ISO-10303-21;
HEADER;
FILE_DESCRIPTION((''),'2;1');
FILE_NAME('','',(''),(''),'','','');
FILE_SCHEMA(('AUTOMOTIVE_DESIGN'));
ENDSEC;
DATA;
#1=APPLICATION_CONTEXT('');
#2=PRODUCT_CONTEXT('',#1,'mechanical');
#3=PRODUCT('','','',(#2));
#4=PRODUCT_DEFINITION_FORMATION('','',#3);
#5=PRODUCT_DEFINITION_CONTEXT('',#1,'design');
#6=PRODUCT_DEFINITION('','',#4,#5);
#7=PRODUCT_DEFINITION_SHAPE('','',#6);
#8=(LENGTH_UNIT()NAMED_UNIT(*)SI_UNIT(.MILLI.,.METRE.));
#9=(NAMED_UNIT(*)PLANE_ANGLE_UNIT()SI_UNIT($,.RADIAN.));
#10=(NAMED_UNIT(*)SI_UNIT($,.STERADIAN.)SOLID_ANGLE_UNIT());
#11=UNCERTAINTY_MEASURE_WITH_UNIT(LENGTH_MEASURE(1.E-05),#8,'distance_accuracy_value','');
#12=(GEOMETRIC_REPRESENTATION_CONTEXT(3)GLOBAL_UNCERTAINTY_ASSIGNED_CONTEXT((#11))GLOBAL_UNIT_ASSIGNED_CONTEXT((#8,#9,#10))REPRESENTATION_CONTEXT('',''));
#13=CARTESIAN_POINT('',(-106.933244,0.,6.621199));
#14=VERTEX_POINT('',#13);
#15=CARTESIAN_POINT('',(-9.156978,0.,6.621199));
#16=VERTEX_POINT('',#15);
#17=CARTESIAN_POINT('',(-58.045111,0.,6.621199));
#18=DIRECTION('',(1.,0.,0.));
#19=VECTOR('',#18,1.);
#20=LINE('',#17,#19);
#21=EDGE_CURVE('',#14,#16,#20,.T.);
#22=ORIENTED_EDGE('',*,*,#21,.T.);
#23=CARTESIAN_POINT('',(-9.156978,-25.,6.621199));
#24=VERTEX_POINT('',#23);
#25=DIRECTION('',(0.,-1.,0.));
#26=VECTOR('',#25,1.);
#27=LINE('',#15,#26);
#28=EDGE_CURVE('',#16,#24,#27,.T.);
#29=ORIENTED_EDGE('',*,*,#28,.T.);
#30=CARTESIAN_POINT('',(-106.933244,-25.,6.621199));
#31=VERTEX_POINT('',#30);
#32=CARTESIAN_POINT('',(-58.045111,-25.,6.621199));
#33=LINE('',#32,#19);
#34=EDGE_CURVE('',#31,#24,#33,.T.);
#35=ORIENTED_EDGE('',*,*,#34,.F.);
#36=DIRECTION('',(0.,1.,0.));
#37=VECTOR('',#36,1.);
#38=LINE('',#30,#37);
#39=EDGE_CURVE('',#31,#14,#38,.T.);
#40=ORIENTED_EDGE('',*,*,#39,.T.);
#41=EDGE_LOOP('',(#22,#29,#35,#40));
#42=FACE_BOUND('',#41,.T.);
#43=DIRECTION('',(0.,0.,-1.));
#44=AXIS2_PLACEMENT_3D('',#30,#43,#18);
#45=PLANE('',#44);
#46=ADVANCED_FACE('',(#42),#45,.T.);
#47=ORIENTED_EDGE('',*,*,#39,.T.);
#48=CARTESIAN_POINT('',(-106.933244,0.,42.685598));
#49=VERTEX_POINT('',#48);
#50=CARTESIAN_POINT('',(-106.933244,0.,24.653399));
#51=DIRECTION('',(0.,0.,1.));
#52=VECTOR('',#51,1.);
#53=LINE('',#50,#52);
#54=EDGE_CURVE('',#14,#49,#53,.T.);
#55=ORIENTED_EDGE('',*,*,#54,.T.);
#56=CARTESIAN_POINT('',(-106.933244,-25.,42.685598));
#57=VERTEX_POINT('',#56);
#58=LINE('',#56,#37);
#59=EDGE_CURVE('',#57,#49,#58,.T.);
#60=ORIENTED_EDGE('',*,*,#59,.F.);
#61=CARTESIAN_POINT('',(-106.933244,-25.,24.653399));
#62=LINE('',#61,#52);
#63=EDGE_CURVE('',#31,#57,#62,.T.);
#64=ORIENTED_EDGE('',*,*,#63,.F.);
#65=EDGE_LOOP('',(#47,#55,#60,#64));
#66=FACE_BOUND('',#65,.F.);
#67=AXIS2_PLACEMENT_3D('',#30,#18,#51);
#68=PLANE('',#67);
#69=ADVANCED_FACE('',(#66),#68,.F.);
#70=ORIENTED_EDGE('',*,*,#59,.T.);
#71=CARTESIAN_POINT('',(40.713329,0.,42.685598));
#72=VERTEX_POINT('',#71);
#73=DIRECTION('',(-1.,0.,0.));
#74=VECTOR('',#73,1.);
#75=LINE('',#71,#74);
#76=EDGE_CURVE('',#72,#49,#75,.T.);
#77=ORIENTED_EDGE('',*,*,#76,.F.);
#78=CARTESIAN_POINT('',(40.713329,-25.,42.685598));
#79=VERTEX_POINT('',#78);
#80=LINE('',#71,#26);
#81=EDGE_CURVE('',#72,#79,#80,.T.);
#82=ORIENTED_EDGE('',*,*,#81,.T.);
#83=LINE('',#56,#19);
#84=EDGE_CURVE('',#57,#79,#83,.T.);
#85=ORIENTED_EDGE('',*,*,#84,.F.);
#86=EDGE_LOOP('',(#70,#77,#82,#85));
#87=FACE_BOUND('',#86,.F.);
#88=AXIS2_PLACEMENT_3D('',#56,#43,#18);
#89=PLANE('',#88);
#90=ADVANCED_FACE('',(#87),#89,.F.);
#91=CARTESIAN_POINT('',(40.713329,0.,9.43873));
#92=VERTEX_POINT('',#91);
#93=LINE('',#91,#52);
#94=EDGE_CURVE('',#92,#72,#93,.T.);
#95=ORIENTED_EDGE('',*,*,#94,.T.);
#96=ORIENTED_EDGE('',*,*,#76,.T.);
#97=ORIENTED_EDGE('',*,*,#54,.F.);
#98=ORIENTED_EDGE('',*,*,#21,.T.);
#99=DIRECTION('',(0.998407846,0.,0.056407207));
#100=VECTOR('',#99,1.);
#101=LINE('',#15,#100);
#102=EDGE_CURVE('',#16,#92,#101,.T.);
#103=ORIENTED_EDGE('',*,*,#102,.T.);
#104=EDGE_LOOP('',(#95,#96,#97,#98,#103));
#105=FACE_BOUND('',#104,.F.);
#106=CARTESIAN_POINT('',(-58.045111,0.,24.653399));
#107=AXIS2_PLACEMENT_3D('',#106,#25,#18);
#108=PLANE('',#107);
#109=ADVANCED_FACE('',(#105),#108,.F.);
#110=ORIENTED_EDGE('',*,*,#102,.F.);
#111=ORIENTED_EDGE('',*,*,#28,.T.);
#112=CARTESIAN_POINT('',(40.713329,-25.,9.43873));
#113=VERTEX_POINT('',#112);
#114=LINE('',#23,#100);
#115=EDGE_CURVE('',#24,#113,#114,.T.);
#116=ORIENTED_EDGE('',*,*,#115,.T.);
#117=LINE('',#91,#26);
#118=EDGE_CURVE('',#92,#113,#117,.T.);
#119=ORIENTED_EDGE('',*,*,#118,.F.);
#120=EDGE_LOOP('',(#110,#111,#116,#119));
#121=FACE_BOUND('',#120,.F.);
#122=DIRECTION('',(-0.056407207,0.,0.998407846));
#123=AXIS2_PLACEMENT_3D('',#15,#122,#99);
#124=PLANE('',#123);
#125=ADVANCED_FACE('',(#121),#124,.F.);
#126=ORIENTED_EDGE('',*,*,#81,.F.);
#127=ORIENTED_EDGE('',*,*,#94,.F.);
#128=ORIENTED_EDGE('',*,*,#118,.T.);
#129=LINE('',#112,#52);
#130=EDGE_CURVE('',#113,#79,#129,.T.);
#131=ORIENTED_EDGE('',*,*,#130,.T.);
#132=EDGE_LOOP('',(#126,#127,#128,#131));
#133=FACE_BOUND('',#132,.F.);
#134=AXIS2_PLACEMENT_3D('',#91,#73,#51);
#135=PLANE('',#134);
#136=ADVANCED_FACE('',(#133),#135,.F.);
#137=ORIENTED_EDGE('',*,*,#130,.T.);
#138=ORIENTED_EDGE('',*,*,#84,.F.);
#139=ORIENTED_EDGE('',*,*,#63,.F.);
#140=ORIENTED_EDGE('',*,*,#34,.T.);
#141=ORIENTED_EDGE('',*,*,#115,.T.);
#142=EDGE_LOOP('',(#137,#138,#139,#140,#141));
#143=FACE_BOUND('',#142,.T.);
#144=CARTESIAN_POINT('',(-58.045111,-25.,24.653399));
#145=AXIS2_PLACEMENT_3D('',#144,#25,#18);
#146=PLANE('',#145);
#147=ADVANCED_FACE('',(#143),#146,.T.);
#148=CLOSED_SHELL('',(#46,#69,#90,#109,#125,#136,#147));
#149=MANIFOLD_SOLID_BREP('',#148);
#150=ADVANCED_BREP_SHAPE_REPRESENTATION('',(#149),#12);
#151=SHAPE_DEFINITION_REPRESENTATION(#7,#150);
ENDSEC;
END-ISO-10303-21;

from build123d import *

# Parameters (mm, degrees)
F1_DEPTH = 25
F2_W     = 97.7762658149
F2_H     = 36.0643989407
F3_DEPTH = 25


with BuildPart() as f1:
    # F0 (on Front) → F1 (new body)
    with BuildSketch(Plane.XZ):
        Polygon((40.7133288682, 42.685598135), (-9.1569777578, 42.685598135), (-9.1569777578, 6.6211991943), (40.7133288682, 9.438729845), align=None)
    extrude(amount=F1_DEPTH)

    # F2 (on face) → F3 (join, through all)
    with BuildSketch(Plane.XZ.offset(25)):
        with Locations((-58.0451106653, 24.6533986647)):
            Rectangle(F2_W, F2_H)
    extrude(amount=-F3_DEPTH)


solid = f1.part
